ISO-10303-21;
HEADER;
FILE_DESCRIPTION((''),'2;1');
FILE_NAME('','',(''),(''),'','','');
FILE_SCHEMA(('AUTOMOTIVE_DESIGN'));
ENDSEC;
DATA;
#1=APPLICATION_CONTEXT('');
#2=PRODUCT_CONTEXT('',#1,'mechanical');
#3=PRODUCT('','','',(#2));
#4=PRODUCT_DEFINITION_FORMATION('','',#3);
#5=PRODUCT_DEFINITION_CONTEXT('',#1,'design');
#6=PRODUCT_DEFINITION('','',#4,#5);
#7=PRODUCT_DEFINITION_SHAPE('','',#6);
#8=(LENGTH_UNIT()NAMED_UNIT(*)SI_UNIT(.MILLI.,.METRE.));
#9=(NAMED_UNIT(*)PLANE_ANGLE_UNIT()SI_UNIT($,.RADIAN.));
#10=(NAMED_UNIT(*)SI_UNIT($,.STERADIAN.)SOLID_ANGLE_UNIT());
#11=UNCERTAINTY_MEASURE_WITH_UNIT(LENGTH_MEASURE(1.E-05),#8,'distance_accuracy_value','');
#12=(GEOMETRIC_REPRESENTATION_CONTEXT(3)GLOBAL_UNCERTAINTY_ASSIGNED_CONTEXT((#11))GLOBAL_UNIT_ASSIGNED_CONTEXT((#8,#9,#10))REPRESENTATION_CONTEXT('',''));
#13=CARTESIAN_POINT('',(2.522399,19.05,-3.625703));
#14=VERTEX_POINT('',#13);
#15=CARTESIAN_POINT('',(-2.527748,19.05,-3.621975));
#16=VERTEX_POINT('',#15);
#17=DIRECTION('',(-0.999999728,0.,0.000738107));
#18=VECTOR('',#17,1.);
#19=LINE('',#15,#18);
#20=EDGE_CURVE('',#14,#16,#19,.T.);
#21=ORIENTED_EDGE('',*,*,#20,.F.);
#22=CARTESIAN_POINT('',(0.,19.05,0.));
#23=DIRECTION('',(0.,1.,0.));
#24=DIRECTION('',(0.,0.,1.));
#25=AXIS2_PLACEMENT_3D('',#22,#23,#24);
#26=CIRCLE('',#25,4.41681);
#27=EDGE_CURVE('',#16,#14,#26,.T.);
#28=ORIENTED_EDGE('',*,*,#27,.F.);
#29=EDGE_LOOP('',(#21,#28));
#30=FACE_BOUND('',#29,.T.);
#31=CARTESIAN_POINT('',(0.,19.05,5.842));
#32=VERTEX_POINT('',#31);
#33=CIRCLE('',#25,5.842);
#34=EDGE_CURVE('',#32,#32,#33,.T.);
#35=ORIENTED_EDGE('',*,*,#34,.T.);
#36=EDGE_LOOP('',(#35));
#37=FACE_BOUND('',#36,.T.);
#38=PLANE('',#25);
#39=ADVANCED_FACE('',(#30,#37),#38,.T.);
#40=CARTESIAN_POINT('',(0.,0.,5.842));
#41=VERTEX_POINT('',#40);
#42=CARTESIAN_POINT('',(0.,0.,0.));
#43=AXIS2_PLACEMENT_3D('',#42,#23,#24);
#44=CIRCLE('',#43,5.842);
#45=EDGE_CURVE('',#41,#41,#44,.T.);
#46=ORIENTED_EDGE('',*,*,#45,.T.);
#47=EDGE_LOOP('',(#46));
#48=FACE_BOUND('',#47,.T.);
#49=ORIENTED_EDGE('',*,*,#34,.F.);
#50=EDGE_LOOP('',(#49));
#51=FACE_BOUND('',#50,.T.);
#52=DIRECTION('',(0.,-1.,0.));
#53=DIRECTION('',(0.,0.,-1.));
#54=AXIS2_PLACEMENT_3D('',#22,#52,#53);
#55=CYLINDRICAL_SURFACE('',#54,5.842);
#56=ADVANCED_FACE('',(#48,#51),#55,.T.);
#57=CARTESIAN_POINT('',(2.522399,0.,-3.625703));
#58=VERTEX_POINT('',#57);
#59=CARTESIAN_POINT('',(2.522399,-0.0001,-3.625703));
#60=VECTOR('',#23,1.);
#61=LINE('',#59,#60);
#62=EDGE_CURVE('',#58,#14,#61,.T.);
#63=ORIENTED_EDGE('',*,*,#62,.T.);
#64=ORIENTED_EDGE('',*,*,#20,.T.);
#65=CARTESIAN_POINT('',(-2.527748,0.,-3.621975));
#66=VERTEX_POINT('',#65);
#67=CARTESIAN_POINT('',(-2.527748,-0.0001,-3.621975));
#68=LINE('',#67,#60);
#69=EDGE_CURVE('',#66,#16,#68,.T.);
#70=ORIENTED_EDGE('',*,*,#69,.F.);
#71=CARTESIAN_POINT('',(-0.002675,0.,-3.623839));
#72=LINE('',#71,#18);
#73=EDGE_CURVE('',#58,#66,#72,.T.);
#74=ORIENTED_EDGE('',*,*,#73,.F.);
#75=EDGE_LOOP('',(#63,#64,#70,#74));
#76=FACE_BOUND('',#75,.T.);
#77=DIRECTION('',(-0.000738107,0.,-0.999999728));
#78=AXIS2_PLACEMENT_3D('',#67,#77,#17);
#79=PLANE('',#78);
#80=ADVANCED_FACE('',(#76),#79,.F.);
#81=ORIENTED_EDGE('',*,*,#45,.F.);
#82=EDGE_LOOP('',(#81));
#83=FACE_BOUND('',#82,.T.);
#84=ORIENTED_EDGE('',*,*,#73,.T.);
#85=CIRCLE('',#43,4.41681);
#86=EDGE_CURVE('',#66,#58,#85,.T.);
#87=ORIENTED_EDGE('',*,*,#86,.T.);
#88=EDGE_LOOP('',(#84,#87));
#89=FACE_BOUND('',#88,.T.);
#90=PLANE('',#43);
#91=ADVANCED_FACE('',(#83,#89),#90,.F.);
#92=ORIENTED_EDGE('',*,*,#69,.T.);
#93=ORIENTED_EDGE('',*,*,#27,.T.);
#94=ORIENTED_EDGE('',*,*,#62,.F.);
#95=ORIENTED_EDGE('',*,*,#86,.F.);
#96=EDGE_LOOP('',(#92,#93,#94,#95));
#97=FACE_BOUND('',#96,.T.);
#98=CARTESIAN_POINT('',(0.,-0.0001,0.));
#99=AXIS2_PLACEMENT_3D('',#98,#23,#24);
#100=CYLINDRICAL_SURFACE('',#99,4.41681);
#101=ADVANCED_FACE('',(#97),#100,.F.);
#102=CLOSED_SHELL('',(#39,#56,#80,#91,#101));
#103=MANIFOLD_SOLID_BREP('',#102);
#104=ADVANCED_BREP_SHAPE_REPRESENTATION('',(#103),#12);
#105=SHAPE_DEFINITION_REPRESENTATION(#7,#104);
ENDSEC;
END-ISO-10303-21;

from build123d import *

# Parameters (mm, degrees)
SKETCH1_R           = 5.842
BOSS_EXTRUDE1_DEPTH = 19.05
CUT_EXTRUDE3_DEPTH  = 19.050100076


with BuildPart() as part:
    # Sketch1 → Boss-Extrude1 (new body)
    with BuildSketch(Plane(origin=(0, 0, 0), x_dir=(1, 0, 0), z_dir=(0, 1, 0))):
        Circle(SKETCH1_R)
    extrude(amount=BOSS_EXTRUDE1_DEPTH)

    # Sketch4 → Cut-Extrude3 (cut)
    with BuildSketch(Plane(origin=(0, 19.05, 0), x_dir=(1, 0, 0), z_dir=(0, 1, 0))):
        with BuildLine():
            Line((-2.527748348, 3.621974982), (2.522398786, 3.625702531))
            ThreePointArc((2.522398786, 3.625702531), (0.003260078, -4.416809239), (-2.527748348, 3.621974982))
        make_face()
    extrude(amount=-CUT_EXTRUDE3_DEPTH, mode=Mode.SUBTRACT)


solid = part.part
